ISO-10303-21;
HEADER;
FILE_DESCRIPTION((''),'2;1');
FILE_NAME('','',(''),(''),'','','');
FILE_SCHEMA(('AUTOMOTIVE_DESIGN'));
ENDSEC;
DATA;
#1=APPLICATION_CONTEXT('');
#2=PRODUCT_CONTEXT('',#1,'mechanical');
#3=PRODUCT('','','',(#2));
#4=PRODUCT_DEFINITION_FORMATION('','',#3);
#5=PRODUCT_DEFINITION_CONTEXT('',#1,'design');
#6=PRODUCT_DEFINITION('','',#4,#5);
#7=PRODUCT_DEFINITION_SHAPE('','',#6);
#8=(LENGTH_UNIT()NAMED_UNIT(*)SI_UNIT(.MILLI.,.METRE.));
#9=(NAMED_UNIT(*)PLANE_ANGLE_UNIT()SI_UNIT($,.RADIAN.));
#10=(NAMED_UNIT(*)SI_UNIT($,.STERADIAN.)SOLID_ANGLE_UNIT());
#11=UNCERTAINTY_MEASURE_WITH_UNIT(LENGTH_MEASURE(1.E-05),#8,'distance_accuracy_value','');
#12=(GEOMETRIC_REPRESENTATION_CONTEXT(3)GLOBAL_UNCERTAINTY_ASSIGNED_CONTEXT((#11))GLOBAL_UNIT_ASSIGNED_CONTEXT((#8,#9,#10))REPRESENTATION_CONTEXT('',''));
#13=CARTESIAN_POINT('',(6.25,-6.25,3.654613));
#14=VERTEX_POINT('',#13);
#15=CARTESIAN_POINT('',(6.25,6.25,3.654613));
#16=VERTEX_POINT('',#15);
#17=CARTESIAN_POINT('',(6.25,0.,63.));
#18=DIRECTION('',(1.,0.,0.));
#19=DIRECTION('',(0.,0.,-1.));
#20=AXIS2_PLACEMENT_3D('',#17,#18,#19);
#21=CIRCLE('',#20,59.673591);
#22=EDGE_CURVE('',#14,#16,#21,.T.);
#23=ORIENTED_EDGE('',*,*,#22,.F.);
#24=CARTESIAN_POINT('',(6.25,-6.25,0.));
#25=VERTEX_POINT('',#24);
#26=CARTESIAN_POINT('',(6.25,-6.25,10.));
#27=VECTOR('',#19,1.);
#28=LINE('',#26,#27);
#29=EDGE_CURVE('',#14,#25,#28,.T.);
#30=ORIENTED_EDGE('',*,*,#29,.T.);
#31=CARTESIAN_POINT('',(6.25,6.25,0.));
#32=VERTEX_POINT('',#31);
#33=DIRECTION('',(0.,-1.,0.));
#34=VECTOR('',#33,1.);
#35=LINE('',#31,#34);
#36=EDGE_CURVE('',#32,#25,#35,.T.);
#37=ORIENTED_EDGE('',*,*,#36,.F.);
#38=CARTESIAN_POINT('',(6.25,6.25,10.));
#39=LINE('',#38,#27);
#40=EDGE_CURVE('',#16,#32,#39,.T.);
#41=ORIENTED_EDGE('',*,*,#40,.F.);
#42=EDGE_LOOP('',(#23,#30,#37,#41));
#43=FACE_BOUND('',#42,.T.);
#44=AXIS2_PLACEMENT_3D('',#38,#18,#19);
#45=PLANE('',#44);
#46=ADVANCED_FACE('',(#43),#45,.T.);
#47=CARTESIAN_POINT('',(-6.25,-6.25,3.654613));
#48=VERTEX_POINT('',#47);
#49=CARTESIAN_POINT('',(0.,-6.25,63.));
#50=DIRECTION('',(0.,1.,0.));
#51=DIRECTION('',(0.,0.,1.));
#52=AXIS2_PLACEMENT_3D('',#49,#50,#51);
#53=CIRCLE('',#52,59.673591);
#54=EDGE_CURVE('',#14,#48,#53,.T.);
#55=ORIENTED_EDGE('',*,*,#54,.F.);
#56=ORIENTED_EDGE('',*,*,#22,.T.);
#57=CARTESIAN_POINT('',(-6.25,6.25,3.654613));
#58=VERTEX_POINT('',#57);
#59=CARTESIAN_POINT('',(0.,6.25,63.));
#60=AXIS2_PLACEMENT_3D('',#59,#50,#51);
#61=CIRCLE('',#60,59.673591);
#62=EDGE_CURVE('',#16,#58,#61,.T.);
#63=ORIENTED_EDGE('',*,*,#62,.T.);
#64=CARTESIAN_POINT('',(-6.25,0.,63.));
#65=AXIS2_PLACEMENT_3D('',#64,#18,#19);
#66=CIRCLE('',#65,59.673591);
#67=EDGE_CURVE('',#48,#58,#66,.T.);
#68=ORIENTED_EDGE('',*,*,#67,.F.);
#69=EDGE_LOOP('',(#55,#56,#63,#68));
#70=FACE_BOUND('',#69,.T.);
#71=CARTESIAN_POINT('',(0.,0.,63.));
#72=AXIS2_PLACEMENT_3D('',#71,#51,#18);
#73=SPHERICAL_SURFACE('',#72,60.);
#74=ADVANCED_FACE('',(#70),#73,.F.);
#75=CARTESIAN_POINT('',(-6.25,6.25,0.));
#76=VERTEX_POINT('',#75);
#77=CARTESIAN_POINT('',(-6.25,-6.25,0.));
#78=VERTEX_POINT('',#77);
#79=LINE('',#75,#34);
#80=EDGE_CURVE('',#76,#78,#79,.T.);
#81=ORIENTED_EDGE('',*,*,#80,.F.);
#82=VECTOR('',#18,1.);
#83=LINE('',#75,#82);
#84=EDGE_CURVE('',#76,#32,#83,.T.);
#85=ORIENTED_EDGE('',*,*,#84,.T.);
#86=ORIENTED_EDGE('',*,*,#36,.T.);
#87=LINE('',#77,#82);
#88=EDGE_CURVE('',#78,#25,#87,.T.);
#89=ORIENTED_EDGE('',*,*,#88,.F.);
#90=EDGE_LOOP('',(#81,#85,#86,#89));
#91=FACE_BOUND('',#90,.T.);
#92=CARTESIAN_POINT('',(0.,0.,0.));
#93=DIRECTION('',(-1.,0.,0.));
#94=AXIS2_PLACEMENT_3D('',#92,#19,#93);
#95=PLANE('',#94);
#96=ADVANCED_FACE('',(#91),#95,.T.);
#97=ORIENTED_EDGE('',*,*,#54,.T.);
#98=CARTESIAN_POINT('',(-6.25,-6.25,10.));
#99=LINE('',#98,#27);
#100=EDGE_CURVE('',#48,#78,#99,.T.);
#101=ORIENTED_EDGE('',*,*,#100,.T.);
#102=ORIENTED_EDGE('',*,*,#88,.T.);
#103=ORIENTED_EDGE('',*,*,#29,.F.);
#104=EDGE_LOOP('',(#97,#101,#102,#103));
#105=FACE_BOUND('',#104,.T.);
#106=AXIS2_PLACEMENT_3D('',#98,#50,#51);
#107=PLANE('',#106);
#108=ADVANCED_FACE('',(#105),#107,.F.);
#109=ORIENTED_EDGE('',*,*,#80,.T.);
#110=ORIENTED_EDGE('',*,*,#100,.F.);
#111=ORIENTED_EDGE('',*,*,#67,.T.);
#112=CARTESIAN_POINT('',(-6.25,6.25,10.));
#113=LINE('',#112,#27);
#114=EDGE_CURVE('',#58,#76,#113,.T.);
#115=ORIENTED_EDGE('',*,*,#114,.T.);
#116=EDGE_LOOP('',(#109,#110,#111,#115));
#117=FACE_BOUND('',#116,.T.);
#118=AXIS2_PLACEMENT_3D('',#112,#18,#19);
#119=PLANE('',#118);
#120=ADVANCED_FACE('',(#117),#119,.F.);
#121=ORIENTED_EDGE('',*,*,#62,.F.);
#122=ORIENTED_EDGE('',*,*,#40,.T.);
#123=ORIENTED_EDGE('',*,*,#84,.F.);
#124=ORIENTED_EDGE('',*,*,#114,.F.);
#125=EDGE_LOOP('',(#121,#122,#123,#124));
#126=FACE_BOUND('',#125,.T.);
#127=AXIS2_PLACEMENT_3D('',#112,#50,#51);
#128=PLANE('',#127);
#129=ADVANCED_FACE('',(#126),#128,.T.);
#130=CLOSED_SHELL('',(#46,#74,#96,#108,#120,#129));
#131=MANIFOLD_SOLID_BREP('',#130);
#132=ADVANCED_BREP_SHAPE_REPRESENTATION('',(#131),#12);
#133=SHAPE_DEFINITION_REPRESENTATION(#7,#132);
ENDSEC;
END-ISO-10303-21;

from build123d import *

# Parameters (mm, degrees)
SKETCH_1_W      = 12.5
SKETCH_1_H      = 12.5
EXTRUDE_1_DEPTH = 10


with BuildPart() as part:
    # 草图1 → 凸台-拉伸1 (new body)
    with BuildSketch(Plane.XY):
        Rectangle(SKETCH_1_W, SKETCH_1_H)
    extrude(amount=EXTRUDE_1_DEPTH)

    # 草图2 → 切除-旋转2 (revolve, cut)
    with BuildSketch(Plane(origin=(0, 0, 0), x_dir=(1, 0, 0), z_dir=(0, 1, 0))):
        with BuildLine():
            Line((58.490727709, -49.627088122), (0, -49.627088122))
            Line((0, -49.627088122), (0, -3))
            ThreePointArc((0, -3), (37.400703786, -16.083186848), (58.490727709, -49.627088122))
        make_face()
    revolve(axis=Axis((0, 0, 49.627088122), (0, 0, -1)), mode=Mode.SUBTRACT)


solid = part.part
